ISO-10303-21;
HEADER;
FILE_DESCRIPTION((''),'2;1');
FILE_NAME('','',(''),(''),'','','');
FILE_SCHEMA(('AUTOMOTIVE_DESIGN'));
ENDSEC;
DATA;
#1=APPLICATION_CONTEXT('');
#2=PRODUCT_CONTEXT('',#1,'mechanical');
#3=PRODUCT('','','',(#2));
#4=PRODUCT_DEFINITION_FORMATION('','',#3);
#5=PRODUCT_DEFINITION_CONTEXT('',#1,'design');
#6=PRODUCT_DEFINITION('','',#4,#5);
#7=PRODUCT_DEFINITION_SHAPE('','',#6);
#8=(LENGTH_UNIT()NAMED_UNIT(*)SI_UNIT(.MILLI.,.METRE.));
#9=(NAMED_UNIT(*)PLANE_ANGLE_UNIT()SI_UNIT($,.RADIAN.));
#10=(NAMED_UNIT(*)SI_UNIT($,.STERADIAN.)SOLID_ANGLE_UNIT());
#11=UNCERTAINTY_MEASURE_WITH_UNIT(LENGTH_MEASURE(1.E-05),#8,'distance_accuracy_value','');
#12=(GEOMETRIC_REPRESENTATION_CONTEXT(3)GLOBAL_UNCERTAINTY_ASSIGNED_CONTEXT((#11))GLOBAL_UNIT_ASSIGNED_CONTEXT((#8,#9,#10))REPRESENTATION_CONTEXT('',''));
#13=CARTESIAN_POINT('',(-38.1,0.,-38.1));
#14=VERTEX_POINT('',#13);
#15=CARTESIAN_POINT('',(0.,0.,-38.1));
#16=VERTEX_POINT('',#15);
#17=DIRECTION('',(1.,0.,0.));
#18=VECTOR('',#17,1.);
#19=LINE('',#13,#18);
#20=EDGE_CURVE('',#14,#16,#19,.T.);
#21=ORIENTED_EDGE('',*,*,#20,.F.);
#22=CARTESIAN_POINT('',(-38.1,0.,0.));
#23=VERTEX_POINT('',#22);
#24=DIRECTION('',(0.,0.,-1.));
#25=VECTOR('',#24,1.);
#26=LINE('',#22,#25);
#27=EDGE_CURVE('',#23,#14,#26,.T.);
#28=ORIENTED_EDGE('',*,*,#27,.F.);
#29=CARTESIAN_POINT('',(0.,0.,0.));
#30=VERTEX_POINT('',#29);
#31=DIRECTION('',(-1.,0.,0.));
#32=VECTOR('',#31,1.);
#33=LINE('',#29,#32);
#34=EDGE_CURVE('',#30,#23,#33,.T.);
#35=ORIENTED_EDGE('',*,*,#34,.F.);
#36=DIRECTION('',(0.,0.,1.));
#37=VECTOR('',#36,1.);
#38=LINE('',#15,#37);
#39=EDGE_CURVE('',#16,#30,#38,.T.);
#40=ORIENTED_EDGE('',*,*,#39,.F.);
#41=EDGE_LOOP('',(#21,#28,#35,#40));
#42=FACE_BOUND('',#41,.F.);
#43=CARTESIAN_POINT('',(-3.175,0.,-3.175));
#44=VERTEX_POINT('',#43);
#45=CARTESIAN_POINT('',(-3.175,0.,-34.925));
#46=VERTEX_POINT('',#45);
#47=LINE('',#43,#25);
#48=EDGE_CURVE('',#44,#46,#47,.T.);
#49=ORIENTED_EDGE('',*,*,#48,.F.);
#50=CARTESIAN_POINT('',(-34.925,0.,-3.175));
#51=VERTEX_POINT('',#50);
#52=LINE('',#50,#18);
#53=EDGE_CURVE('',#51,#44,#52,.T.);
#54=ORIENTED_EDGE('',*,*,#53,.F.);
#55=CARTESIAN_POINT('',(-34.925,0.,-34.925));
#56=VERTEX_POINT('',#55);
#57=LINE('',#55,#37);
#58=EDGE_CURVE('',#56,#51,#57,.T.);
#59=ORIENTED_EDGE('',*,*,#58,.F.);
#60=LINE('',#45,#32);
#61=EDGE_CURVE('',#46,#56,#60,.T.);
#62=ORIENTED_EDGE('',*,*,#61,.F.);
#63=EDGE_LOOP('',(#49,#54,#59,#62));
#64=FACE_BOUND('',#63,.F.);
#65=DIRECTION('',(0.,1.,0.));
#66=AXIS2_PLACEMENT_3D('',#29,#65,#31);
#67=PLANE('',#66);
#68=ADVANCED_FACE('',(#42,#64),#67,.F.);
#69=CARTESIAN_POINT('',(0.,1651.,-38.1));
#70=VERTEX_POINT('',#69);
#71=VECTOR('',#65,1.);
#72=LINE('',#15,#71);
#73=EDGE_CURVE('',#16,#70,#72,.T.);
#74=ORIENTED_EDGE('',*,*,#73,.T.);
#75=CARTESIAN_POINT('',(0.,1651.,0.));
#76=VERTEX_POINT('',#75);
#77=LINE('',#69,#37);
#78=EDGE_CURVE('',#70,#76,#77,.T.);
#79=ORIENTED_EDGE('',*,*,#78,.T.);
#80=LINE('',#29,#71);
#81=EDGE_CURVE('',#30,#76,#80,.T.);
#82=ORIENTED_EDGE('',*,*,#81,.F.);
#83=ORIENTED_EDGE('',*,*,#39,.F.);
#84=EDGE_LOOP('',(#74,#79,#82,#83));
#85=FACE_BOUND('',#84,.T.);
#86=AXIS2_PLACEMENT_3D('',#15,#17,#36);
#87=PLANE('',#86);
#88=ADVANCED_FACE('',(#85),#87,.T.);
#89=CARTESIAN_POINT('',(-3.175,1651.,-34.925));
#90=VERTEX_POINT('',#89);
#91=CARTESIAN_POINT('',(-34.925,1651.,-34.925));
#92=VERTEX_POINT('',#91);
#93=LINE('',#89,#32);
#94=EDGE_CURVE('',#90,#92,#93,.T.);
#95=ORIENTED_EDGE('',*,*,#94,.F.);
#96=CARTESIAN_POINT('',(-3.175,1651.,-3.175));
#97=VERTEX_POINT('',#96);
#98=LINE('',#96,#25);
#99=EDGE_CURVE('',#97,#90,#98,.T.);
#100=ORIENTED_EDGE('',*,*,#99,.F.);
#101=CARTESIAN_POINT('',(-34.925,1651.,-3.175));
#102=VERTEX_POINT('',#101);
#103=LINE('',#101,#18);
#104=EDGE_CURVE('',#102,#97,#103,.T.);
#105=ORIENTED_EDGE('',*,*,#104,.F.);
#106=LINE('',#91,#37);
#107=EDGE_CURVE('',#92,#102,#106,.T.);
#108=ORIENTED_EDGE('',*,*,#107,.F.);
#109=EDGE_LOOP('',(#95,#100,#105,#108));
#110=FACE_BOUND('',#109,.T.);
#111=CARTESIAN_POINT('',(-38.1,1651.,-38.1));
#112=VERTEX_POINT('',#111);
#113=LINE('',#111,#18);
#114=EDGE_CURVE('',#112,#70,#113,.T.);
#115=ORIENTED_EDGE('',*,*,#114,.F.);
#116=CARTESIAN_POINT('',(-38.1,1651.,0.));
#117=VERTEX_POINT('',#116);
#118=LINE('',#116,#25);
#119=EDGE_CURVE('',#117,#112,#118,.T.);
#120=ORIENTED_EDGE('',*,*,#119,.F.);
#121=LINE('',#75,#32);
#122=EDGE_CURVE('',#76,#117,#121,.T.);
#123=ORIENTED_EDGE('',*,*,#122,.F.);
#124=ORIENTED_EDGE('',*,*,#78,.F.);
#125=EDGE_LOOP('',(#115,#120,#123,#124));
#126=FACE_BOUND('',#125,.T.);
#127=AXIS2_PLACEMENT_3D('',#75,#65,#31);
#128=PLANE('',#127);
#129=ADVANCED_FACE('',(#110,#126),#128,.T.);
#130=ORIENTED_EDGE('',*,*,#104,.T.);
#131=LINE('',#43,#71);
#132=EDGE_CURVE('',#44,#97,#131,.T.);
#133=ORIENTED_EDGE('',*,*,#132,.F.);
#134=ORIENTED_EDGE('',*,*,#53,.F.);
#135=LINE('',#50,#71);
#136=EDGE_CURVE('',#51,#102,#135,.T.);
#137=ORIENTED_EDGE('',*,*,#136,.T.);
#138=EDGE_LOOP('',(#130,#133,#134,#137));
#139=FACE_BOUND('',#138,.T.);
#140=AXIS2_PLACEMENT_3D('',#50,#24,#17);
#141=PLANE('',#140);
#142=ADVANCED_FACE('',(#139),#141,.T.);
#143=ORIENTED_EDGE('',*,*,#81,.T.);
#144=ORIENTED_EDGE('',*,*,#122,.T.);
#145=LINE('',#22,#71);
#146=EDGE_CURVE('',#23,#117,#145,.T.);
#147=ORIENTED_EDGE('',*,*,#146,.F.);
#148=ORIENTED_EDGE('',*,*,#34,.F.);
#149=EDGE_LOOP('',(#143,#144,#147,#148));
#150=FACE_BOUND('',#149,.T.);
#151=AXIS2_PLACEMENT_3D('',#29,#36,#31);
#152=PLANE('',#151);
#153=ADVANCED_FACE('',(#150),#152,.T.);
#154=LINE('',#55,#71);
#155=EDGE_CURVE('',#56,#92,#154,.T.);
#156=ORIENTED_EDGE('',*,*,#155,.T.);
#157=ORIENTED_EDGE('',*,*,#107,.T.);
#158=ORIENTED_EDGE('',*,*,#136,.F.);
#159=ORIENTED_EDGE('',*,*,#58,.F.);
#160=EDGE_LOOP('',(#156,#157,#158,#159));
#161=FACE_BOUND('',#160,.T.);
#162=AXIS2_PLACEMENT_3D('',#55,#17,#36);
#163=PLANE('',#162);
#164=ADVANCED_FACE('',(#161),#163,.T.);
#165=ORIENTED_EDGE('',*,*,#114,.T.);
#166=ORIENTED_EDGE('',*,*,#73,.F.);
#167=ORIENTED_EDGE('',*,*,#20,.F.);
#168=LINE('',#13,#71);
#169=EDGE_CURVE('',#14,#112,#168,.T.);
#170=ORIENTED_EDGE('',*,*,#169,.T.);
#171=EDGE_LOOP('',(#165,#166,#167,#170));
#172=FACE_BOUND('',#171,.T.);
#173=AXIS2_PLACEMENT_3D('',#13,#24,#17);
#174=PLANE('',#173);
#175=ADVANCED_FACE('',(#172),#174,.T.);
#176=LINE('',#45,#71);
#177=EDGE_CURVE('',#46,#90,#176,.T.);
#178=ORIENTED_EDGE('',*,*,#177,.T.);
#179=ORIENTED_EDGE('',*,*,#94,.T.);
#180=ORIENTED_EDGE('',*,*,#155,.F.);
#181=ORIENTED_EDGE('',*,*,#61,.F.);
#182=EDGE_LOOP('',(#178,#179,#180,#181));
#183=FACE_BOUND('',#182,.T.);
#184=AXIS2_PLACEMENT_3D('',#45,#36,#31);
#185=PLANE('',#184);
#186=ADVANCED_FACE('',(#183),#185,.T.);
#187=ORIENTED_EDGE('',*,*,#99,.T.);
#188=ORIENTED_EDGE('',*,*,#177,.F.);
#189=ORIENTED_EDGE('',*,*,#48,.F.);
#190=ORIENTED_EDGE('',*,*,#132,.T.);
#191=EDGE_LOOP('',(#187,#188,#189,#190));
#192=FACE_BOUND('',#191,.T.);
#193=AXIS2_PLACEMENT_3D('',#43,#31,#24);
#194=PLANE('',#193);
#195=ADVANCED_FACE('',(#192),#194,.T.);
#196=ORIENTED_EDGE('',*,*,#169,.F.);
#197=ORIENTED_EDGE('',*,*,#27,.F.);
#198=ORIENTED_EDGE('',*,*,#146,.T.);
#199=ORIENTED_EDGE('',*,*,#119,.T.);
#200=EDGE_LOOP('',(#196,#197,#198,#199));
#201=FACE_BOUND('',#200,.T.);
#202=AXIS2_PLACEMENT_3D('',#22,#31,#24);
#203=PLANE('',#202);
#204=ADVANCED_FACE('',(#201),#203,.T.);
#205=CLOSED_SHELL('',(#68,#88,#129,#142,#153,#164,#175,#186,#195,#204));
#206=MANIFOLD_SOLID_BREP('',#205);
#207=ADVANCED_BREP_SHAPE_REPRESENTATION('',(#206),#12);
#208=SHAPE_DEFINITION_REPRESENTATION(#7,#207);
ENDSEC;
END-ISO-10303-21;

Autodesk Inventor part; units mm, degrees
ref_plane "YZ Plane" through (0, 0, 0) normal (1, 0, 0) x (0, 1, 0)
ref_plane "XZ Plane" through (0, 0, 0) normal (0, 1, 0) x (-1, 0, 0)
ref_plane "XY Plane" through (0, 0, 0) normal (0, 0, 1) x (1, 0, 0)
sketch "Sketch1" plane through (0, 0, 0) normal (0, 1, 0) x (-1, 0, 0)
  line L0 (0, 0) -> (38.1, 0)
  line L1 (38.1, 0) -> (38.1, -38.1)
  line L2 (38.1, -38.1) -> (0, -38.1)
  line L3 (0, -38.1) -> (0, 0)
  line L4 (34.925, -34.925) -> (34.925, -3.175)
  line L5 (34.925, -3.175) -> (3.175, -3.175)
  line L6 (3.175, -3.175) -> (3.175, -34.925)
  line L7 (3.175, -34.925) -> (34.925, -34.925)
  dimension "d0" = 38.1
  dimension "d1" = 38.1
  dimension "d2" = 3.175
extrude "Extrusion1" add sketch "Sketch1" along normal blind 1651
properties part number "TopBar-ver2-1111-2021" material "Aluminum 6061"
